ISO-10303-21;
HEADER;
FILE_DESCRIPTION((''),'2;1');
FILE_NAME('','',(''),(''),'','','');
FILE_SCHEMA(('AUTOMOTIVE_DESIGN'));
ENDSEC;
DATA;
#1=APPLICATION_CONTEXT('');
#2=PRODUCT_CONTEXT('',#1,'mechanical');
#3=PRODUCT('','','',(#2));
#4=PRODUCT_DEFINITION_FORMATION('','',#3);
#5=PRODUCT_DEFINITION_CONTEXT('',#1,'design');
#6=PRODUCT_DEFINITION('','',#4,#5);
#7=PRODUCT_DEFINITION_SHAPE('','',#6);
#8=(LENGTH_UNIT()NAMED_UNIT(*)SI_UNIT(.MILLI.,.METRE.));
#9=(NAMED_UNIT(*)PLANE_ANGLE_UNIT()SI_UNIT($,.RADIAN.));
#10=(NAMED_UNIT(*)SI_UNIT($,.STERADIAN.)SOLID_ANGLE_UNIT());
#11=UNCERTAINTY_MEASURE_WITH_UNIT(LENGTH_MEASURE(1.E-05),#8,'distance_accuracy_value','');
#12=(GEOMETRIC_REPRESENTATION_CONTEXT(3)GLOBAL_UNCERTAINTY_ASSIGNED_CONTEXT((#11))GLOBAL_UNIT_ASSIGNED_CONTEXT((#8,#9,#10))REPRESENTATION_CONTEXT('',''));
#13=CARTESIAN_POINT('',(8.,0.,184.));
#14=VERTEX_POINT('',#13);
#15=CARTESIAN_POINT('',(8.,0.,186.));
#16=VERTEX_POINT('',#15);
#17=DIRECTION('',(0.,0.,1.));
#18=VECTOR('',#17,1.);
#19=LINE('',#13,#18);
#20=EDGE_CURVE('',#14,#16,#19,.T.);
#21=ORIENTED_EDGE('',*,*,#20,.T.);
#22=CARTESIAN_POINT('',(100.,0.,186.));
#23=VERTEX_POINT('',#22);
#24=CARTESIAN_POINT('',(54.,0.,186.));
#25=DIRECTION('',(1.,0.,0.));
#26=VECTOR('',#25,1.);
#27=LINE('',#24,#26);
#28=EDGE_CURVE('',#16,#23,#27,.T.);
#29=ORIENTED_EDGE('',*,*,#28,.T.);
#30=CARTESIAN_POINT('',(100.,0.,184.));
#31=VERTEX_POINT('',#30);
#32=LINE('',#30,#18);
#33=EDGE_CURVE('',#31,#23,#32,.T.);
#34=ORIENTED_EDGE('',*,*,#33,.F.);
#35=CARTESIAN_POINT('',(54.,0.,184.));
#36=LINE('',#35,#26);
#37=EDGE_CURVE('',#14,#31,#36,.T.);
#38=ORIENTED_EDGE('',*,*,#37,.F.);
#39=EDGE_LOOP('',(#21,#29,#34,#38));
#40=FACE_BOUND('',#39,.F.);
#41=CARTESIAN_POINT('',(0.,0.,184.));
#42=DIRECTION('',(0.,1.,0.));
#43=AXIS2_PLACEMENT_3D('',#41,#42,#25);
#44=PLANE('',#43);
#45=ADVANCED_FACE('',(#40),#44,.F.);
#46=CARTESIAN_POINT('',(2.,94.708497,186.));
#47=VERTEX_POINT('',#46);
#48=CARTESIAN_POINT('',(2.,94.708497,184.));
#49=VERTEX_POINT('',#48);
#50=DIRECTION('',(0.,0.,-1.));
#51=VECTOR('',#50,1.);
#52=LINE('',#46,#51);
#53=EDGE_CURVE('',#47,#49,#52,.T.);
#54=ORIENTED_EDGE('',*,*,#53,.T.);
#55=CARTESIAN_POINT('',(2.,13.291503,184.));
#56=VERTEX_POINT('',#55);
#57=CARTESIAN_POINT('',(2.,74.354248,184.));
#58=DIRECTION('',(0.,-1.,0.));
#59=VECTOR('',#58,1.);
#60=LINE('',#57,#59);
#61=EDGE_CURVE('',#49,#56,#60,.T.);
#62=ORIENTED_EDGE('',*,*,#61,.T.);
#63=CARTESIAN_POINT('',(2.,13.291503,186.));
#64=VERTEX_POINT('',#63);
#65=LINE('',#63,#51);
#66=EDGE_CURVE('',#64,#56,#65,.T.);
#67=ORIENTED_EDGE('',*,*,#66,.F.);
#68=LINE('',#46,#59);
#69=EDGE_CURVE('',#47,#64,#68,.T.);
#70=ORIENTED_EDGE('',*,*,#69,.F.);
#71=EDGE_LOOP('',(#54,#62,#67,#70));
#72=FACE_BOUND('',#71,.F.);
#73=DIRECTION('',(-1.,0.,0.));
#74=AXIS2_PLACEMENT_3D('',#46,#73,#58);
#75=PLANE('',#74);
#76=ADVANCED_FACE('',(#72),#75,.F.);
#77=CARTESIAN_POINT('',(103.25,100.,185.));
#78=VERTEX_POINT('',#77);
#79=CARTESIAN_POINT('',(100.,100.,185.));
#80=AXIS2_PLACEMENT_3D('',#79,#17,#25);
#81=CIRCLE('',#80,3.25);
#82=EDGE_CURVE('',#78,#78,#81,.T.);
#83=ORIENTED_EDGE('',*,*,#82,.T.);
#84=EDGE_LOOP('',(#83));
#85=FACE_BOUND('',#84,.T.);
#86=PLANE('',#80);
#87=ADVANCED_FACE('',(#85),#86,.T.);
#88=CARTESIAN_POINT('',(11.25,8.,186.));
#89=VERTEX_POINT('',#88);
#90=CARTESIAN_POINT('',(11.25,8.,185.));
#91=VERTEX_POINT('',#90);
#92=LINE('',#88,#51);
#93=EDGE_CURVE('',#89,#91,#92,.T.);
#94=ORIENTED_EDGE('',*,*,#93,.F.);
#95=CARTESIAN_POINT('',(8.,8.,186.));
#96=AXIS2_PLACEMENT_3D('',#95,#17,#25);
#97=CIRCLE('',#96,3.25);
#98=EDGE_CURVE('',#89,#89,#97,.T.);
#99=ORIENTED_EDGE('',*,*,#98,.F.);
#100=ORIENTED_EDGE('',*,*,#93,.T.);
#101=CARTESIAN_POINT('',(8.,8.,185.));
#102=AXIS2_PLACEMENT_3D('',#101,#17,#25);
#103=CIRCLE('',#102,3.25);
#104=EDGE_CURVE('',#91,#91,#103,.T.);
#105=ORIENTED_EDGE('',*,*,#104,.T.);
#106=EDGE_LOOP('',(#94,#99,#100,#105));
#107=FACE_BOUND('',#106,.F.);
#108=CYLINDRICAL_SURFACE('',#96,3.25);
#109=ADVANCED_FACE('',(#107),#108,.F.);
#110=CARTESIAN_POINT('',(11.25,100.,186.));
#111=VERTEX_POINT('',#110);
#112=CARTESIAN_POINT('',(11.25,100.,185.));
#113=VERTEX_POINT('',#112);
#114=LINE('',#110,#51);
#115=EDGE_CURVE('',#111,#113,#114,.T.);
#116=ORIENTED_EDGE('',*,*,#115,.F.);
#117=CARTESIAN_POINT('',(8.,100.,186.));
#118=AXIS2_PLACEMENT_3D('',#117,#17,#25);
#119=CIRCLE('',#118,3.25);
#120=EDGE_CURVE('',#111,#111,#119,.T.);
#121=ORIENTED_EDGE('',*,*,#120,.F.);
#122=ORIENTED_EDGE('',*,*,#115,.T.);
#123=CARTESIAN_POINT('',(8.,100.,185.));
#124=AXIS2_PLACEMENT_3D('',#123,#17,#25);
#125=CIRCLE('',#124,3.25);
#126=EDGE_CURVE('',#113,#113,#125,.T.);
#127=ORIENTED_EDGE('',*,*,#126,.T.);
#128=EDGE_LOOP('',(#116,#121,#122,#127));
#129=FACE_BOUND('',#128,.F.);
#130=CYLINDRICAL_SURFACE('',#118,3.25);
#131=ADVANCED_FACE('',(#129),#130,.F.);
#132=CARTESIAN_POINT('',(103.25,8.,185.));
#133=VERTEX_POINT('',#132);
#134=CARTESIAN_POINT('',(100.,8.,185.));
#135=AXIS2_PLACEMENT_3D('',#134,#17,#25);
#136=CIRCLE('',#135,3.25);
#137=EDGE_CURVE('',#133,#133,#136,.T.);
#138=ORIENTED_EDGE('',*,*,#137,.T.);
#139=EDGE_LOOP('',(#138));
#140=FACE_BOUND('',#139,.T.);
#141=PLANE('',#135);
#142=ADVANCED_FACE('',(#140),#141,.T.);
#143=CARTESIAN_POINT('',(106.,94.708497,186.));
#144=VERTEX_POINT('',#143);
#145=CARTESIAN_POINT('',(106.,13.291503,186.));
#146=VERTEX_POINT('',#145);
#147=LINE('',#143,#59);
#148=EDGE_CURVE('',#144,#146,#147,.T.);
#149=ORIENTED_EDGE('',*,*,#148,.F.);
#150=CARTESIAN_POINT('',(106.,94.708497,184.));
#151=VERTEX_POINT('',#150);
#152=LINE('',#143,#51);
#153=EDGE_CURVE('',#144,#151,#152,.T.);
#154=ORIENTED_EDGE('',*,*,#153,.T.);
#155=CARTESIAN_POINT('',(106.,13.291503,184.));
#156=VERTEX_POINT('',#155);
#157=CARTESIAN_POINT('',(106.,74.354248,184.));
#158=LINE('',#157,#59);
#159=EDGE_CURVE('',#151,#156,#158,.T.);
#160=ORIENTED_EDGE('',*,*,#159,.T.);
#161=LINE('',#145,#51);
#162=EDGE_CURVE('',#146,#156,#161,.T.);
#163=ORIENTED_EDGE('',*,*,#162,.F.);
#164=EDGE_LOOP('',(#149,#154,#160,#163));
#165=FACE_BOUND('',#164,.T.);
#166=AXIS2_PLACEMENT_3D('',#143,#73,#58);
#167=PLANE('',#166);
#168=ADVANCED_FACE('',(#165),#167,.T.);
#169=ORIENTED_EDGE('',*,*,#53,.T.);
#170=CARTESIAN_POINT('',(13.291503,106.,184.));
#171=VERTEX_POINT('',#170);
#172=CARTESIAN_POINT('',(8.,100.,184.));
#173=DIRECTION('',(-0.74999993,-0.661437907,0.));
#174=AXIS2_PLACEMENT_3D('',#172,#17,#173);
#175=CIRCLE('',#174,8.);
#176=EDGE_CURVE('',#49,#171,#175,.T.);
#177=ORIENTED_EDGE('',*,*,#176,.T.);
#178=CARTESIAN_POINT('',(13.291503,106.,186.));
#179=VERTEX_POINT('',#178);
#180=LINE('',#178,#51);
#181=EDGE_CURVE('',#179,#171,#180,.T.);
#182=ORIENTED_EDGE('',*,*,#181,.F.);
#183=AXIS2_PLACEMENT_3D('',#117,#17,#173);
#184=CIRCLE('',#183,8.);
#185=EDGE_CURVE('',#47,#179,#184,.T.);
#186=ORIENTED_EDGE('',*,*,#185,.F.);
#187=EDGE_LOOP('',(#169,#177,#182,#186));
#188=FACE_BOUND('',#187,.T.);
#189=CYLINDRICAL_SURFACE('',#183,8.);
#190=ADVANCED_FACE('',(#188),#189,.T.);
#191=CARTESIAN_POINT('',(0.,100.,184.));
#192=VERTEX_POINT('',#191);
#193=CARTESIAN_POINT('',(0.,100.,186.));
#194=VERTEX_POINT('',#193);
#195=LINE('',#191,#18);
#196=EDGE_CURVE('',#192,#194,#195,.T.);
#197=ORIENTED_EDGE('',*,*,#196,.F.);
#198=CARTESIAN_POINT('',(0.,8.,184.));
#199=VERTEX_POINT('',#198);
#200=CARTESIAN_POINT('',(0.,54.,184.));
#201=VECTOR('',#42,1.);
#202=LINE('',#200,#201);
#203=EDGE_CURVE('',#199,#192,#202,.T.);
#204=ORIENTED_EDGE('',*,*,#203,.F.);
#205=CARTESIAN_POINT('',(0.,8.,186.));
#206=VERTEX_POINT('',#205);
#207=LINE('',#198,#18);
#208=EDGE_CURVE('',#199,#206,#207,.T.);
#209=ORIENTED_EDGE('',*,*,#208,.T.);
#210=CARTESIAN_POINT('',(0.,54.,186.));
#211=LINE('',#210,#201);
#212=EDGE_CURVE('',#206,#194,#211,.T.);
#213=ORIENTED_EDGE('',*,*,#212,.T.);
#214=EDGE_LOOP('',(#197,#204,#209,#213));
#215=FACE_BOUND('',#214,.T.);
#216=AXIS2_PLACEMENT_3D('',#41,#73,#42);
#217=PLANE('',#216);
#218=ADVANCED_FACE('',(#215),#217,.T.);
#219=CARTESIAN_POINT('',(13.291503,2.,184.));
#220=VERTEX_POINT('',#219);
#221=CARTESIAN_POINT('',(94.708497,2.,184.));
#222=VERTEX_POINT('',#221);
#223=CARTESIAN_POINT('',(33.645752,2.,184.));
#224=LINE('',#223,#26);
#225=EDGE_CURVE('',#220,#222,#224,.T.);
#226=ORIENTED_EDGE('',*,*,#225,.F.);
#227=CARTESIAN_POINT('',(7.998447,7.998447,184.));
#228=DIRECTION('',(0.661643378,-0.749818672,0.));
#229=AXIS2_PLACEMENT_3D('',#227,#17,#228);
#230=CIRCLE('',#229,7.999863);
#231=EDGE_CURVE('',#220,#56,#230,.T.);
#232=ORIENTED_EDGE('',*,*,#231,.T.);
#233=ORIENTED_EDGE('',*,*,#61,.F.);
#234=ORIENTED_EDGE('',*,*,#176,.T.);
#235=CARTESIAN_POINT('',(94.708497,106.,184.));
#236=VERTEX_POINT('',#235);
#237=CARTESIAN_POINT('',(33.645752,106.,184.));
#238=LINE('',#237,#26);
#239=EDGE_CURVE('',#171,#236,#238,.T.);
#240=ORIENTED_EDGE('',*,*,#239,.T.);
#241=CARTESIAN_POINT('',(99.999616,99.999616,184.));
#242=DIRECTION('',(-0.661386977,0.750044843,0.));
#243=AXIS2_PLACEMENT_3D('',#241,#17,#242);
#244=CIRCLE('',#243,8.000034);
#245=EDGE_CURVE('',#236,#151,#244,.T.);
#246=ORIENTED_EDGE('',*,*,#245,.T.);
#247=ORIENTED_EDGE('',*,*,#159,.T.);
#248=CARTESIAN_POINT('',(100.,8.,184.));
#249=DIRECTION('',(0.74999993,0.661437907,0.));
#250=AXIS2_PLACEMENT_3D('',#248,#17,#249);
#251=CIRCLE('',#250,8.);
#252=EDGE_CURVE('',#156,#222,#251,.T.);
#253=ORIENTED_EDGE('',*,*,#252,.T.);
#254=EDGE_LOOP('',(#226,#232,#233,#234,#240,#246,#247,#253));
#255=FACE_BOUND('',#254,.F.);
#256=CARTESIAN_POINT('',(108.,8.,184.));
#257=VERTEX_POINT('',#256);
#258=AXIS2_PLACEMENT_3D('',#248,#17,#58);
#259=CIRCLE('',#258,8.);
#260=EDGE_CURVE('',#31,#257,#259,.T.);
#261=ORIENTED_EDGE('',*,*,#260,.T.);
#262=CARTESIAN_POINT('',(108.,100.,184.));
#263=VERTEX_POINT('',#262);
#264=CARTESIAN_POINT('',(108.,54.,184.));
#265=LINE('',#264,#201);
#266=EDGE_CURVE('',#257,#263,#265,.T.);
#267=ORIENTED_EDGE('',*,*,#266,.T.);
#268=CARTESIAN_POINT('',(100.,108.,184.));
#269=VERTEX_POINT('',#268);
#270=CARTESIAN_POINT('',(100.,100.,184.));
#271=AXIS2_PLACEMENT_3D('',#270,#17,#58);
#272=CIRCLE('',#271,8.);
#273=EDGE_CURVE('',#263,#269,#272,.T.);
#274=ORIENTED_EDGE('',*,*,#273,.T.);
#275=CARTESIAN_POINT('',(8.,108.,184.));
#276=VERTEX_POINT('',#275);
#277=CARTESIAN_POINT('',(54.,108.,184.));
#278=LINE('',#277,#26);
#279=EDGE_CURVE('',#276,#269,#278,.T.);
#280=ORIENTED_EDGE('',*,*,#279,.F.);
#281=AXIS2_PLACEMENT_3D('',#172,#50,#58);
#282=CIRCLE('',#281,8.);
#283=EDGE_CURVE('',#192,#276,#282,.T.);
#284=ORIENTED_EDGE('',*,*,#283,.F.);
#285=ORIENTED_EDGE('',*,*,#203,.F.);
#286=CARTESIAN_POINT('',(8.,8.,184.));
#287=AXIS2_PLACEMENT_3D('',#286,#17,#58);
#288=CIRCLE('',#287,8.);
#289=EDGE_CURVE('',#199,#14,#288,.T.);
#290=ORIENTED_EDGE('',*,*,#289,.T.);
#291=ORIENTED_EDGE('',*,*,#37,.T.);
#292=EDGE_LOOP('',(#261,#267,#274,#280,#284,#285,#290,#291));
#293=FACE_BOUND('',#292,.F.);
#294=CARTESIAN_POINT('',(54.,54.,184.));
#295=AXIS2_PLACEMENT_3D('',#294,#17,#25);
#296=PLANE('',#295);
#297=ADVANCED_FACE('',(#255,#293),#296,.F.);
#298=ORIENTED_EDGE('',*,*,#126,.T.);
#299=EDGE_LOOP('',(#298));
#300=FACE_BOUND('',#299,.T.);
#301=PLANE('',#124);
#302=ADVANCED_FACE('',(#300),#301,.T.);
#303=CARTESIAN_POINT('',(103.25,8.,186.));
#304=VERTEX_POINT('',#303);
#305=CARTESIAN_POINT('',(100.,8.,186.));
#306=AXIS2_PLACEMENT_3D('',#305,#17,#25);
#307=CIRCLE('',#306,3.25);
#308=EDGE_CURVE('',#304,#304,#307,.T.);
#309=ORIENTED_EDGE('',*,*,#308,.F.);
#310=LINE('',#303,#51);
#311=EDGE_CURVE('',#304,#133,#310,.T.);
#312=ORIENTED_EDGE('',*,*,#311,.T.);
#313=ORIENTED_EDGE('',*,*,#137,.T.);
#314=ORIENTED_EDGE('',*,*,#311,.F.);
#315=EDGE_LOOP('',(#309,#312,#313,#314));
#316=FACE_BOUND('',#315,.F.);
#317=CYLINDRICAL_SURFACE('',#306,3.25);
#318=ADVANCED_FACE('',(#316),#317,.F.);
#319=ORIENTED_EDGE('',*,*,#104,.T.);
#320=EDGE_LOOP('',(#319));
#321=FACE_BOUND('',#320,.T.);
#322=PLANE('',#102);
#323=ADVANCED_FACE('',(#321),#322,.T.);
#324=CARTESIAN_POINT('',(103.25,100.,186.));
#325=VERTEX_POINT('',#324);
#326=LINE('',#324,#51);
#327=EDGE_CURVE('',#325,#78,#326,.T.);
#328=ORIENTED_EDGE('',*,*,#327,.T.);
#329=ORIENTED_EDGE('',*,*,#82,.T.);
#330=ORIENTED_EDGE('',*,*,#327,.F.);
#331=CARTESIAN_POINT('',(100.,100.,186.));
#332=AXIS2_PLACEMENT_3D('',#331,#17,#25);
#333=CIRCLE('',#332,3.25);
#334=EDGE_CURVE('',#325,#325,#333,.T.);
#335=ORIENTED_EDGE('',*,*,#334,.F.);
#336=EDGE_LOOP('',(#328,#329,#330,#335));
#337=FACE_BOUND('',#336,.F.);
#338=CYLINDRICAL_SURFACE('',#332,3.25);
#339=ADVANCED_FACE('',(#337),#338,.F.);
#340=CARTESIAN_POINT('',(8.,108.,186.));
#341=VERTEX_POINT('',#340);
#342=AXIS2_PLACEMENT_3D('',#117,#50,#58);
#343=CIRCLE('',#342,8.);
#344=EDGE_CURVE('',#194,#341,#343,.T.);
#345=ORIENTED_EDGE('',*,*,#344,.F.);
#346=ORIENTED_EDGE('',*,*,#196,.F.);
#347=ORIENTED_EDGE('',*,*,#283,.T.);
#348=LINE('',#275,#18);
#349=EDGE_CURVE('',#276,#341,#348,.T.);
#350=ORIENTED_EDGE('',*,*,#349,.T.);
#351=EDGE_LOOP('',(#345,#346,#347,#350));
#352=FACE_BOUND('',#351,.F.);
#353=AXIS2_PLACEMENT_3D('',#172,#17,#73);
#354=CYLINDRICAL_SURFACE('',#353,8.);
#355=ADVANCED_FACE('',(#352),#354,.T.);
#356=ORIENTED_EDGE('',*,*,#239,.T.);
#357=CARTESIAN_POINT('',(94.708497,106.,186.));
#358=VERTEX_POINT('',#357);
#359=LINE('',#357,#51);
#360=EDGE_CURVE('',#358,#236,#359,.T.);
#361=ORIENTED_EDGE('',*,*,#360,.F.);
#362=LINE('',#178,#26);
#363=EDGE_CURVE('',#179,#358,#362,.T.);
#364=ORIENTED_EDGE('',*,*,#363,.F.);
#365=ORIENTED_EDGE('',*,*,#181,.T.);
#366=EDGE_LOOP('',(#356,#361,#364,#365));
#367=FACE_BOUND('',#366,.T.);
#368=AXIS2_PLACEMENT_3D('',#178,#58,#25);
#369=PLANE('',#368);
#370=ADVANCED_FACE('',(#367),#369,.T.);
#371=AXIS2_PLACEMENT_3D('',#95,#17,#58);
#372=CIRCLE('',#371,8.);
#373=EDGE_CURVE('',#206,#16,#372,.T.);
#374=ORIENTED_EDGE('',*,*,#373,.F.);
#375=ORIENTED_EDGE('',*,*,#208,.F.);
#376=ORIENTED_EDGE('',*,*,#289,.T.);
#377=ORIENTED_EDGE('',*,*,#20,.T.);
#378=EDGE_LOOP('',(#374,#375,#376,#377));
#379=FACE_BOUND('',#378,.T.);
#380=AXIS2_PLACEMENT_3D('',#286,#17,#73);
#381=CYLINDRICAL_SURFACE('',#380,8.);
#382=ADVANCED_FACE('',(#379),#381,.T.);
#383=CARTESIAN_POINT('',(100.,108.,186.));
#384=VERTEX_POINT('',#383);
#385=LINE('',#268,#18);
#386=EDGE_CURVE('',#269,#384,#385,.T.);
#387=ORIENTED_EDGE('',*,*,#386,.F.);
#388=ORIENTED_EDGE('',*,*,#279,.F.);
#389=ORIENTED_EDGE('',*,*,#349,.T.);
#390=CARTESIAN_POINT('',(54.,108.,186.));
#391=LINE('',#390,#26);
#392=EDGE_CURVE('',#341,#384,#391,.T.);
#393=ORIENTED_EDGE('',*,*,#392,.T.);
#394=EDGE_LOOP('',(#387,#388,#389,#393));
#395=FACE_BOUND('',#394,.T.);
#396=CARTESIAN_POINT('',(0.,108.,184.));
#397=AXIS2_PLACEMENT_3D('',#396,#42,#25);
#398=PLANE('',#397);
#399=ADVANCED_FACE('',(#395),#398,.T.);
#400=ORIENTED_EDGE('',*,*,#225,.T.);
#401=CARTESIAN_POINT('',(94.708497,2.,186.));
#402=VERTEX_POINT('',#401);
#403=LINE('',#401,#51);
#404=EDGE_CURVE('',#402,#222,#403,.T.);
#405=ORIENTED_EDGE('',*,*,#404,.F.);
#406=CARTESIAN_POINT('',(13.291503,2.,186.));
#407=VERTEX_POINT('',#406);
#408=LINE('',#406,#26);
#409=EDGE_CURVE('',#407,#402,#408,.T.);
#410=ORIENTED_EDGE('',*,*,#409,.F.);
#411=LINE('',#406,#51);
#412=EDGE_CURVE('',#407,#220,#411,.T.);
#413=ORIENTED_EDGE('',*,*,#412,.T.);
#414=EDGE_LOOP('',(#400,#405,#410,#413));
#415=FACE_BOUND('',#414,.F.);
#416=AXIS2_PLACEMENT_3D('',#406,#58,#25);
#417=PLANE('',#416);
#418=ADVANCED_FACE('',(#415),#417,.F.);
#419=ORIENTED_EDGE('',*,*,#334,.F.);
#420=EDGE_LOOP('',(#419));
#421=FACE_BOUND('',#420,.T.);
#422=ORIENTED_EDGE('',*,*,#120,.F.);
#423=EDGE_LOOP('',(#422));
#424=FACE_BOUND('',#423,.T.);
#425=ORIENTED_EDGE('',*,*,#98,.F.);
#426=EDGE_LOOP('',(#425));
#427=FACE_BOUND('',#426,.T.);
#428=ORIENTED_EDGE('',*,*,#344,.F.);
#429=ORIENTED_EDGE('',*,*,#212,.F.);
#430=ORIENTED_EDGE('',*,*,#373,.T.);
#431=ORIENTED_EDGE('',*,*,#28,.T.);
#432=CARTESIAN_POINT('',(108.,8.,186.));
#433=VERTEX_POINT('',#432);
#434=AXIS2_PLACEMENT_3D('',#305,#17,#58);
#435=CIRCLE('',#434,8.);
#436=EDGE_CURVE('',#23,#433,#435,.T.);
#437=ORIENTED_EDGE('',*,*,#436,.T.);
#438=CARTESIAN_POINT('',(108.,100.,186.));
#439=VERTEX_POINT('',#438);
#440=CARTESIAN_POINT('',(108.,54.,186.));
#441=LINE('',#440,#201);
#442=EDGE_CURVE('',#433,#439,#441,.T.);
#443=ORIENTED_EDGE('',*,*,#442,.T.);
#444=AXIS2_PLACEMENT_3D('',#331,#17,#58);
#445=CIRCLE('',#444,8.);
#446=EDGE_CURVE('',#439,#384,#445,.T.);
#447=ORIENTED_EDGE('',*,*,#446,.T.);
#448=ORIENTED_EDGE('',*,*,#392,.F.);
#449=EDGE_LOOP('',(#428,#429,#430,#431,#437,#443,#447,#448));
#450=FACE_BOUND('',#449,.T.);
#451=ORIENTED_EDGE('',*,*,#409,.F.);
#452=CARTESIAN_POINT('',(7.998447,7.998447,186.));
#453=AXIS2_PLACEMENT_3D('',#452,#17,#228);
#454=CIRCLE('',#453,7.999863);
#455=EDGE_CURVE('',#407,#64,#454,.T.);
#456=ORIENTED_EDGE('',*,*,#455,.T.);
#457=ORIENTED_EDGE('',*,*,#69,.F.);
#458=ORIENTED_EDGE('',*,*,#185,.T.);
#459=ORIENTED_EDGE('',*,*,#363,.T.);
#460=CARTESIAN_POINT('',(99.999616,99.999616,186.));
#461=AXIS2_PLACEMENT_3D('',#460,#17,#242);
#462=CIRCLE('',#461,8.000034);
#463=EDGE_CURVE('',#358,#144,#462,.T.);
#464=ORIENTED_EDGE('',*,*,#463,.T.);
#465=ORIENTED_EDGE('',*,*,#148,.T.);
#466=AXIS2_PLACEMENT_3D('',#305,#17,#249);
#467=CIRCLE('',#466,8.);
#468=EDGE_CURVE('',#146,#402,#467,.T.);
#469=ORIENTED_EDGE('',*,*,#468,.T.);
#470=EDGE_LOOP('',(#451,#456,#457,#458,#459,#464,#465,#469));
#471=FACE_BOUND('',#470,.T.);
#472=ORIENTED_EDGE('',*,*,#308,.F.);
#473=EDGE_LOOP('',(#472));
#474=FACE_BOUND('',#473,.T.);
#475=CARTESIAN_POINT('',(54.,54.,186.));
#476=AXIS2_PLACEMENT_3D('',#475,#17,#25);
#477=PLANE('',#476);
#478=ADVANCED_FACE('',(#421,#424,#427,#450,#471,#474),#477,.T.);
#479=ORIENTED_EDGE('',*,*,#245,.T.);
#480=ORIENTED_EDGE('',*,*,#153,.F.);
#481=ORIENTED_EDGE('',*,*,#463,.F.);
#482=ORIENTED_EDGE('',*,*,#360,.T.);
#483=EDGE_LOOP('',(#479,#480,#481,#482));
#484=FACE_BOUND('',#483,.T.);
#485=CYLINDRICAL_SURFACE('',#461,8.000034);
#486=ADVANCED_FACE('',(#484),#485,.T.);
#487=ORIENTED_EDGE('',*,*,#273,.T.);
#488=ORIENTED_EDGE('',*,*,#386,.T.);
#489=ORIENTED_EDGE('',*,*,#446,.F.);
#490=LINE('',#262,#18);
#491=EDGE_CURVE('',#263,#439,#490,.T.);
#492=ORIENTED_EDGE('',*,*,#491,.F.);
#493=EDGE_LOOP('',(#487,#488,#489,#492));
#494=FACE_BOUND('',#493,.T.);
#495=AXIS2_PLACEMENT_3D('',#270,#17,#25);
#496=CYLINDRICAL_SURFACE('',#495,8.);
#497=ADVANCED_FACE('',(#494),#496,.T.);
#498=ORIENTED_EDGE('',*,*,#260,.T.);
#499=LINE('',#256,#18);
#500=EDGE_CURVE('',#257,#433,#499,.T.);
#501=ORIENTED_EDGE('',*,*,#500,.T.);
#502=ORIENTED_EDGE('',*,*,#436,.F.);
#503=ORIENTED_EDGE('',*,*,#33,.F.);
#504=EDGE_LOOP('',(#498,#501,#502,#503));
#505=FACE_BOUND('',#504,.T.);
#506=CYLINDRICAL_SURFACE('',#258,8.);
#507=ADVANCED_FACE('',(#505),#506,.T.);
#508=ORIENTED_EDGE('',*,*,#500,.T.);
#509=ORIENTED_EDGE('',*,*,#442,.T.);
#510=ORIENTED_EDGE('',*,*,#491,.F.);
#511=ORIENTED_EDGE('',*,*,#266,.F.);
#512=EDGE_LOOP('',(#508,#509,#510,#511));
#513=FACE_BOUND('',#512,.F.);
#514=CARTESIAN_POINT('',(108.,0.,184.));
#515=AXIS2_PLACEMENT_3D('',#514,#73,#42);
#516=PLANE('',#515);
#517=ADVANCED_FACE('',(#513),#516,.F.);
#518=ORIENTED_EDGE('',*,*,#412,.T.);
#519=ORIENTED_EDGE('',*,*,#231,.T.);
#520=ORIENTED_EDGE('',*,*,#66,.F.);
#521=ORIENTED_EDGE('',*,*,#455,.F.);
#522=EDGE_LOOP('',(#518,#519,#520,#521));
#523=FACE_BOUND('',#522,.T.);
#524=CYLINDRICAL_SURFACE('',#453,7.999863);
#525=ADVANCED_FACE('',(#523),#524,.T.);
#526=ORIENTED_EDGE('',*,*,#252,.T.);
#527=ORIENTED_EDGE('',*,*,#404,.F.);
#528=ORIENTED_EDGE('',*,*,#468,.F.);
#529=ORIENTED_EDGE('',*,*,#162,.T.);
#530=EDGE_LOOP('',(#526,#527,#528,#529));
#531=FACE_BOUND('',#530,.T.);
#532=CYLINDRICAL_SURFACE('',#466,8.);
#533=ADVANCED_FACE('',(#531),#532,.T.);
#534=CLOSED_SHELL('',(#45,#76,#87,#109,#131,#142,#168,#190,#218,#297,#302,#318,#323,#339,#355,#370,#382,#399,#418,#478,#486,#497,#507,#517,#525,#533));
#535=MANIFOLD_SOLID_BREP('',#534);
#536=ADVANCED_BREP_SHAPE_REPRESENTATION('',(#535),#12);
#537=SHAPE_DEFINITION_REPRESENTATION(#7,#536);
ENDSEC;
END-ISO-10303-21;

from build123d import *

# Parameters (mm, degrees)
SKETCH125_W     = 108
SKETCH125_H     = 108
PAD050_DEPTH    = 2
FILLET009_R     = 8
SKETCH126_R     = 3.25
POCKET049_DEPTH = 1
POCKET048_DEPTH = 2.001


with BuildPart() as part:
    # Sketch125 → Pad050 (new body)
    with BuildSketch(Plane.XY):
        with Locations((54, 54)):
            Rectangle(SKETCH125_W, SKETCH125_H)
    extrude(amount=PAD050_DEPTH)

    # Fillet009
    fillet009_edges = [part.edges().sort_by_distance(p)[0] for p in [
        (108, 0, 1),
        (108, 108, 1),
        (0, 108, 1),
        (0, 0, 1),
    ]]
    fillet(fillet009_edges, radius=FILLET009_R)

    # Sketch126 (on Face5 of Fillet009) → Pocket049 (cut)
    with BuildSketch(Plane.XY.offset(2)):
        with Locations((8, 8)):
            Circle(SKETCH126_R)
        with Locations((100, 8)):
            Circle(SKETCH126_R)
        with Locations((100, 100)):
            Circle(SKETCH126_R)
        with Locations((8, 100)):
            Circle(SKETCH126_R)
    extrude(amount=-POCKET049_DEPTH, mode=Mode.SUBTRACT)

    # Sketch127 (on Face5 of Pocket049) → Pocket048 (cut, through all)
    with BuildSketch(Plane.XY.offset(2)):
        with BuildLine():
            Line((2, 94.708497), (2, 13.291503))
            ThreePointArc((13.291503, 2), (13.655204, 13.655204), (2, 13.291503))
            Line((13.291503, 2), (94.708497, 2))
            ThreePointArc((106, 13.291503), (94.343146, 13.656854), (94.708497, 2))
            Line((106, 94.708497), (106, 13.291503))
            ThreePointArc((94.708497, 106), (94.342737, 94.342737), (106, 94.708497))
            Line((13.291503, 106), (94.708497, 106))
            ThreePointArc((2, 94.708497), (13.656854, 94.343146), (13.291503, 106))
        make_face()
    extrude(amount=-POCKET048_DEPTH, mode=Mode.SUBTRACT)


with BuildPart() as part_1:
    # Body022 placement: moved
    add(part.part.moved(Location((0, 0, 184))))


solid = part_1.part
